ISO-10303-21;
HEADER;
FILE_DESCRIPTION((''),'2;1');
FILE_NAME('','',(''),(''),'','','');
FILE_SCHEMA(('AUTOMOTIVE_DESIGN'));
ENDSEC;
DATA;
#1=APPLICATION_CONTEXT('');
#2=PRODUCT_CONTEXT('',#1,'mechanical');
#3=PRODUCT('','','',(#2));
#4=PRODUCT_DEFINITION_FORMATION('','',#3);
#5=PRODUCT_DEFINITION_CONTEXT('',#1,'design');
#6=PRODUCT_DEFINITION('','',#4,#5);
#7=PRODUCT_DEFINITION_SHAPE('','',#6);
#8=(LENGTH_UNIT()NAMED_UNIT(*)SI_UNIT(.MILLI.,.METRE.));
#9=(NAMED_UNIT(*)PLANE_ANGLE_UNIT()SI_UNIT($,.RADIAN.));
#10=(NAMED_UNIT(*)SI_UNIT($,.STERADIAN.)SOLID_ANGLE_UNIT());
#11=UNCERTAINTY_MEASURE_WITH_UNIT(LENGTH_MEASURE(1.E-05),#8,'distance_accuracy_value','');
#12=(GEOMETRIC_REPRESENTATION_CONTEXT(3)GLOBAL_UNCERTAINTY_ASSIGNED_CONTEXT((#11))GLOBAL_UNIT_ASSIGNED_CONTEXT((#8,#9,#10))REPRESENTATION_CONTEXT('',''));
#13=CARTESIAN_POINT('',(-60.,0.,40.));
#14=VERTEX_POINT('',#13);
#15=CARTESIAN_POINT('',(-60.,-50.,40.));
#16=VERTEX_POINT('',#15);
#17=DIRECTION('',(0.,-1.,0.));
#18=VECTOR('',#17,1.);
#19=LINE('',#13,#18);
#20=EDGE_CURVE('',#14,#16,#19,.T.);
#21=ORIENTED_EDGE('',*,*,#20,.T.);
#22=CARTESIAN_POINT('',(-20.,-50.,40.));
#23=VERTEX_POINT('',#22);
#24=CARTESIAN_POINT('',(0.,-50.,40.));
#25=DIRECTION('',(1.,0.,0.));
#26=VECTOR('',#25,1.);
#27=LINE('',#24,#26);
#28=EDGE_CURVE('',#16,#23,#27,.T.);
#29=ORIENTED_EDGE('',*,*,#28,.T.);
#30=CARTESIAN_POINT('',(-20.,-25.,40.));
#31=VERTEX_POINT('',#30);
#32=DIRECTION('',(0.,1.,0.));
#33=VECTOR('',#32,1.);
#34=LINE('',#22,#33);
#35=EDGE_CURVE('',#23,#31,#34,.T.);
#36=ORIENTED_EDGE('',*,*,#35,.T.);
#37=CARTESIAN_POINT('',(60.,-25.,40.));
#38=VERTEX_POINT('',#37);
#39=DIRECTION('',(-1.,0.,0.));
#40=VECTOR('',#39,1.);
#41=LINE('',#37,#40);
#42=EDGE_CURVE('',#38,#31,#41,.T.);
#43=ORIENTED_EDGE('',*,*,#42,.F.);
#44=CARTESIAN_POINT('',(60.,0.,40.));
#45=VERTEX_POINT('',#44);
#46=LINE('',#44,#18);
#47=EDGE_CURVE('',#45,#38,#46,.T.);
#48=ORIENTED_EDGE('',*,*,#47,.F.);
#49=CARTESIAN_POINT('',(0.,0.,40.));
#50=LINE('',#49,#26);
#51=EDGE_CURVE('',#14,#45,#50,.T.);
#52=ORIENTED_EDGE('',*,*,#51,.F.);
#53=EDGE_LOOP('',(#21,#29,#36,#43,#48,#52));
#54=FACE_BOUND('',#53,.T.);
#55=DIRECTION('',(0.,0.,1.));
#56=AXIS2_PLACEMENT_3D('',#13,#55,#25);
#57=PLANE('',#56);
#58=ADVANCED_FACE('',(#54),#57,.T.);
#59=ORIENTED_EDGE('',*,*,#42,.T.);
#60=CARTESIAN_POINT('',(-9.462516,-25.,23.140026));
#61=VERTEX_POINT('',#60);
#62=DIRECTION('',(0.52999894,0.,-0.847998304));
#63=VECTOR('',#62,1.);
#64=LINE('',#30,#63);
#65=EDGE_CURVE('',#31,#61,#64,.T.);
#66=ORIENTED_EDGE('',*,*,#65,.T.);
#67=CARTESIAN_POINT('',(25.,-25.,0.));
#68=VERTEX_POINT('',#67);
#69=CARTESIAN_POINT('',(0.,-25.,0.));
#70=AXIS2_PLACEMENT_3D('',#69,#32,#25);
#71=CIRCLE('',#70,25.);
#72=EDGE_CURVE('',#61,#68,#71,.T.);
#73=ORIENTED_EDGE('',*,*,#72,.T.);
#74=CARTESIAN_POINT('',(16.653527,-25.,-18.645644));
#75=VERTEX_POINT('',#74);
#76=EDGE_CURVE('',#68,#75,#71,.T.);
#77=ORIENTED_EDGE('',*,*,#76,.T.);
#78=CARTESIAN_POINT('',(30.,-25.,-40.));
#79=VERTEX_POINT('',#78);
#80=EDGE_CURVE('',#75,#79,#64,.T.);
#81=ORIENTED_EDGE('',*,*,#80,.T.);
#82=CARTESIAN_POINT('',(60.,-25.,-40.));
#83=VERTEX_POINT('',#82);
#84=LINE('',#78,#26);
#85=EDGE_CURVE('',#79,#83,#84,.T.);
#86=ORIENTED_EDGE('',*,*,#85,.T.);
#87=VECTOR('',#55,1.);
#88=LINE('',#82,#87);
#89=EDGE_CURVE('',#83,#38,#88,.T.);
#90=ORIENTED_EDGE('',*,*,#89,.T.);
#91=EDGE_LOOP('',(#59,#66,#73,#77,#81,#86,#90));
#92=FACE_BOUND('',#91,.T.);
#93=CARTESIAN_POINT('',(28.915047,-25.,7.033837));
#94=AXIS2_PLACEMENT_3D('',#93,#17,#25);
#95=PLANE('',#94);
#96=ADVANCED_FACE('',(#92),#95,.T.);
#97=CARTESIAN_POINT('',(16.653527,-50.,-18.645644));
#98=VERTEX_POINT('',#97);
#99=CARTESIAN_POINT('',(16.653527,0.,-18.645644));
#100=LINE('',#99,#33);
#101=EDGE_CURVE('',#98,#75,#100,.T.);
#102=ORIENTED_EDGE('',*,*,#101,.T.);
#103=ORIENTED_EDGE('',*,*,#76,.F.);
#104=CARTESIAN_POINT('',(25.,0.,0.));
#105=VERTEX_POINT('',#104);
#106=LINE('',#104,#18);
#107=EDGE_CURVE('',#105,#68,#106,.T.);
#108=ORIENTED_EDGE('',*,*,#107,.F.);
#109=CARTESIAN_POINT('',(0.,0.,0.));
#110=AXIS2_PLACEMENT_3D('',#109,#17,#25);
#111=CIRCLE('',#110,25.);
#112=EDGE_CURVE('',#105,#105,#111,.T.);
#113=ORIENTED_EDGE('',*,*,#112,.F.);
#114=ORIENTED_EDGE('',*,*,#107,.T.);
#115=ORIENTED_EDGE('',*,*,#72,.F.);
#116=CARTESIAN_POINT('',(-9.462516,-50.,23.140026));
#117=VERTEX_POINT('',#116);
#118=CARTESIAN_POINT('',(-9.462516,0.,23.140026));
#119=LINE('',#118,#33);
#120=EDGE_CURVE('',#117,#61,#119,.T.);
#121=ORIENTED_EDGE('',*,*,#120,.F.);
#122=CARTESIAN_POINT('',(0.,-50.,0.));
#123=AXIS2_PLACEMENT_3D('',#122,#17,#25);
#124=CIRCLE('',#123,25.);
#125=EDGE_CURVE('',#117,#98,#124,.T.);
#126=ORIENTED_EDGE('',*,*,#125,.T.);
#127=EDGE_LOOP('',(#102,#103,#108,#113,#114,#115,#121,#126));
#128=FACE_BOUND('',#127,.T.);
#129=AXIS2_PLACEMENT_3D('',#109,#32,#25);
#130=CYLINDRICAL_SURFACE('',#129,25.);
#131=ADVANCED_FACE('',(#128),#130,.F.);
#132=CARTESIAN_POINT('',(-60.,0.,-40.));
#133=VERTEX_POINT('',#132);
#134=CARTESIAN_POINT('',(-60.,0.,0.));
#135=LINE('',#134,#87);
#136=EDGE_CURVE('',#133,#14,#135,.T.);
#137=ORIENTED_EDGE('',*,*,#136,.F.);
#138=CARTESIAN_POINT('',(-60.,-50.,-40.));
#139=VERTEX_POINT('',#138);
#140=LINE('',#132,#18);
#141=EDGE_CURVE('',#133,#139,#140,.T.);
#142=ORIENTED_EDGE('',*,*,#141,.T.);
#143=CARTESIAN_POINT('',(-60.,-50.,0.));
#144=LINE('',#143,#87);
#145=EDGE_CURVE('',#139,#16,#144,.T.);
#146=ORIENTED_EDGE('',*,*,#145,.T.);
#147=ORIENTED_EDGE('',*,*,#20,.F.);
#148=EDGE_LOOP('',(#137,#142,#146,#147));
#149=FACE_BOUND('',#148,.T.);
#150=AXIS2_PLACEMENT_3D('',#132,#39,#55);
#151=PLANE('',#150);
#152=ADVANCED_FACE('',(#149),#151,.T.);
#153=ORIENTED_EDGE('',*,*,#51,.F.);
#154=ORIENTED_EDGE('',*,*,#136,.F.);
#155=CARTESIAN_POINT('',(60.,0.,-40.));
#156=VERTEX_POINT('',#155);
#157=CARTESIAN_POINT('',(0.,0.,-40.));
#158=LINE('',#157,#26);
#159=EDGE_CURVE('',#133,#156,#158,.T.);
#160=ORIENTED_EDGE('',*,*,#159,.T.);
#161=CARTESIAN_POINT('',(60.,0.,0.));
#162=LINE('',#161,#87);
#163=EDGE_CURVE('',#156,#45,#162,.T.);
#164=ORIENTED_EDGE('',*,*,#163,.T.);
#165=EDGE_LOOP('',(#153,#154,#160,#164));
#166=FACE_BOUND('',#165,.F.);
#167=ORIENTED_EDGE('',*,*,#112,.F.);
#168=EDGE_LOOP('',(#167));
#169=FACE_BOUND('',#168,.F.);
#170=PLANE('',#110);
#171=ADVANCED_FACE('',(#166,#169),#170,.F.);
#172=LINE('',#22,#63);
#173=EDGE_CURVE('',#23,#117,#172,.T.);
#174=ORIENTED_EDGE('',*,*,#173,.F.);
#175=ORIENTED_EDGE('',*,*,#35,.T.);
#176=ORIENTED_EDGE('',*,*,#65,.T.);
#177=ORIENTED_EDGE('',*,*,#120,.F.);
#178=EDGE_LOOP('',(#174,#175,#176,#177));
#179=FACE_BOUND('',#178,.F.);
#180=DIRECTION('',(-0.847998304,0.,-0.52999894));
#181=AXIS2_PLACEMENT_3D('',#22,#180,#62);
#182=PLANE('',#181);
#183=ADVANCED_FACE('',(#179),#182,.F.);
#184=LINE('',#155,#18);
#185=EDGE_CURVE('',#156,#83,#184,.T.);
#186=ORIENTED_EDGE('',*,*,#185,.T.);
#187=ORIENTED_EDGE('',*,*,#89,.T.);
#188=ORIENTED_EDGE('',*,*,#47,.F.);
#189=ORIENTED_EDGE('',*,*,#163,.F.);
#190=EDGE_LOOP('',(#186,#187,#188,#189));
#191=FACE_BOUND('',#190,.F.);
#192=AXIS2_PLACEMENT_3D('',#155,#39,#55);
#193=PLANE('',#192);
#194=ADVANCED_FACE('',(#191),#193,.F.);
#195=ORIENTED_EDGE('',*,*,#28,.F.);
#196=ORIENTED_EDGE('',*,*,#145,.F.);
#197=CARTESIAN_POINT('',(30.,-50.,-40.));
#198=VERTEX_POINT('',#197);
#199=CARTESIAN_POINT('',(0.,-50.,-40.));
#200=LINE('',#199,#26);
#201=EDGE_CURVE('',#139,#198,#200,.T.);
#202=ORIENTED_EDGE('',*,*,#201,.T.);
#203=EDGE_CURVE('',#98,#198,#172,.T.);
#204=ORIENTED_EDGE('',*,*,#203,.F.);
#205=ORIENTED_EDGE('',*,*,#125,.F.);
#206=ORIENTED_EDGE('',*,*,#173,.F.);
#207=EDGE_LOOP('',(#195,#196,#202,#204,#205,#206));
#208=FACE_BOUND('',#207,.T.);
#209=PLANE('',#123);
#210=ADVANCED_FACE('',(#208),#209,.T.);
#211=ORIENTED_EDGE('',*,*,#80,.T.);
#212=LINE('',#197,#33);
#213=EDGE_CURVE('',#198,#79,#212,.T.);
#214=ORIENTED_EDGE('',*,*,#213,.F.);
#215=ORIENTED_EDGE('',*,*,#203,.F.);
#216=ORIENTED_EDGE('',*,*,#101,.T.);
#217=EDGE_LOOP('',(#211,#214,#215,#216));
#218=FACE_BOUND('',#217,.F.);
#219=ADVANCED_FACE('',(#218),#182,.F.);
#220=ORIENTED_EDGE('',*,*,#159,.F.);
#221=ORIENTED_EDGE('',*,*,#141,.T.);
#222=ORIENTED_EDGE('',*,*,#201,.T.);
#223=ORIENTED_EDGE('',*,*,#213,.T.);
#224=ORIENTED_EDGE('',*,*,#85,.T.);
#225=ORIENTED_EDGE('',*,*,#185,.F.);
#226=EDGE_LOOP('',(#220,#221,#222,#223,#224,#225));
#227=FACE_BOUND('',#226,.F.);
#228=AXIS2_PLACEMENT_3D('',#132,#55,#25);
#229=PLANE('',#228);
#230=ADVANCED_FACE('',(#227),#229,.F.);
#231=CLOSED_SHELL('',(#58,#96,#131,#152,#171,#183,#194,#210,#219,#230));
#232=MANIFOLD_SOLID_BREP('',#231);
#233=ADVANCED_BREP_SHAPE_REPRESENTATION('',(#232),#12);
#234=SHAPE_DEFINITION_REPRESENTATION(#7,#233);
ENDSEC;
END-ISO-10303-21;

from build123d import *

# Parameters (mm, degrees)
F0_W     = 120
F0_H     = 80
F0_R     = 25
F1_DEPTH = 50
F3_DEPTH = 25


with BuildPart() as f1:
    # F0 (on Front) → F1 (new body)
    with BuildSketch(Plane.XZ):
        Rectangle(F0_W, F0_H)
        Circle(F0_R, mode=Mode.SUBTRACT)
    extrude(amount=F1_DEPTH)

    # F2 (on face) → F3 (cut)
    with BuildSketch(Plane.XZ.offset(50)):
        Polygon((60, -40), (60, 40), (-20, 40), (30, -40), align=None)
    extrude(amount=-F3_DEPTH, mode=Mode.SUBTRACT)


solid = f1.part
